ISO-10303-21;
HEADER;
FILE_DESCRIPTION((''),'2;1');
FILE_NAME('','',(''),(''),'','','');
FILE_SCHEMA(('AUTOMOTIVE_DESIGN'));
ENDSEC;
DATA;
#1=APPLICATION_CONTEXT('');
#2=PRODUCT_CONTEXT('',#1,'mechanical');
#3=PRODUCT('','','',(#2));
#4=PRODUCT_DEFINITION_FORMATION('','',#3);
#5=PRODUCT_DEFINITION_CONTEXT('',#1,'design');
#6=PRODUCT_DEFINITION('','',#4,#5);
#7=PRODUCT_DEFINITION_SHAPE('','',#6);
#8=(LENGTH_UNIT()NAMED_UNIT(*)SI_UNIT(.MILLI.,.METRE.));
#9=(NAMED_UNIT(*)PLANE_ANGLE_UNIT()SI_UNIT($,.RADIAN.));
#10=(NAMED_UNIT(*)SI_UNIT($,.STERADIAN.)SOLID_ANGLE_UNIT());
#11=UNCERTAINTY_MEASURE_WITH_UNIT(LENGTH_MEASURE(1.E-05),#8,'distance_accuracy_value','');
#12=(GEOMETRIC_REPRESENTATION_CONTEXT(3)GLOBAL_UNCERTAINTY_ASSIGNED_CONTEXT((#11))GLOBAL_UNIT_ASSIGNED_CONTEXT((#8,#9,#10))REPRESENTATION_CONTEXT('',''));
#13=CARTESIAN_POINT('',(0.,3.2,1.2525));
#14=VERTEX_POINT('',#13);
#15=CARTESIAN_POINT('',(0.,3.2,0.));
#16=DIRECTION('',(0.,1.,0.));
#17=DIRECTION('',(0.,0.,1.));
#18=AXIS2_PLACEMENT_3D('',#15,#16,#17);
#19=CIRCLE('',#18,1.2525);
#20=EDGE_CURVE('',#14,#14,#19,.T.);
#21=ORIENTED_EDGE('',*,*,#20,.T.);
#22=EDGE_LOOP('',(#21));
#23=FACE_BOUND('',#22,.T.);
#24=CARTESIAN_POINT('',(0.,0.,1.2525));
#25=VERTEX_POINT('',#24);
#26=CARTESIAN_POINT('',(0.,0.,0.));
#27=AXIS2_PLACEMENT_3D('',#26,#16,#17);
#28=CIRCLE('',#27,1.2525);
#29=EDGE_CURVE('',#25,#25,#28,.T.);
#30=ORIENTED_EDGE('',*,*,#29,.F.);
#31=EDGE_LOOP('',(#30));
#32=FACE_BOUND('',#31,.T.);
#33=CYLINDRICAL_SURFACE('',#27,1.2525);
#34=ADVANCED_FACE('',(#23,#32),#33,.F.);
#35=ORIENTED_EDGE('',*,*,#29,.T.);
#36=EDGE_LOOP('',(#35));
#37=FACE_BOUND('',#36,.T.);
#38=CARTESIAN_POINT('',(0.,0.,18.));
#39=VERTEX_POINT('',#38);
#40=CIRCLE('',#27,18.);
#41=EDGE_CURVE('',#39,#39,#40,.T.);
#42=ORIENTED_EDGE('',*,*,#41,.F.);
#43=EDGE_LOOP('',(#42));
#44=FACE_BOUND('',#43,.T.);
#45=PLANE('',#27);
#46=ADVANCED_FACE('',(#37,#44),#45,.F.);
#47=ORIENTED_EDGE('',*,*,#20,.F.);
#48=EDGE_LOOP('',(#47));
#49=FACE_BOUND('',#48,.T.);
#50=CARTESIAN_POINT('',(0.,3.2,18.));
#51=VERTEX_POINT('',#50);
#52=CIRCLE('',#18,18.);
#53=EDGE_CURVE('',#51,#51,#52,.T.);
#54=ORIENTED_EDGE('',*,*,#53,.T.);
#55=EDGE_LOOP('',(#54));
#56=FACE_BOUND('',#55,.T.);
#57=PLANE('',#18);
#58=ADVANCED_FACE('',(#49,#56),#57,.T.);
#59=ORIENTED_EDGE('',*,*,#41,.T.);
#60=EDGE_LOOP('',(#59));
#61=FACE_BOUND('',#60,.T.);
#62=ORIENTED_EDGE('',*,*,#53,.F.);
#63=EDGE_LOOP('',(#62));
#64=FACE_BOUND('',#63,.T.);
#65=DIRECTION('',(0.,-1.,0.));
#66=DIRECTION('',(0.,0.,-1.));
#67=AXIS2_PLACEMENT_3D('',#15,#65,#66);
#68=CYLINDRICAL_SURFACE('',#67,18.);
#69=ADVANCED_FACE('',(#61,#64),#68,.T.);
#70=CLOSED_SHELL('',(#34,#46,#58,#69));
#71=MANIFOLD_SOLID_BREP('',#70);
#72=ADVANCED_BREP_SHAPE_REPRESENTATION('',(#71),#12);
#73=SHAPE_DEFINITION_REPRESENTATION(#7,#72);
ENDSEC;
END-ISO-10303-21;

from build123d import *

# Parameters (mm, degrees)
SKETCH1_R           = 18
BOSS_EXTRUDE1_DEPTH = 3.2
SKETCH2_R           = 1.2525
CUT_EXTRUDE1_DEPTH  = 4.2


with BuildPart() as part:
    # Sketch1 → Boss-Extrude1 (new body)
    with BuildSketch(Plane(origin=(0, 0, 0), x_dir=(1, 0, 0), z_dir=(0, 1, 0))):
        Circle(SKETCH1_R)
    extrude(amount=BOSS_EXTRUDE1_DEPTH)

    # Sketch2 → Cut-Extrude1 (cut, through all)
    with BuildSketch(Plane(origin=(0, 3.2, 0), x_dir=(1, 0, 0), z_dir=(0, 1, 0))):
        Circle(SKETCH2_R)
    extrude(amount=-CUT_EXTRUDE1_DEPTH, mode=Mode.SUBTRACT)


solid = part.part
